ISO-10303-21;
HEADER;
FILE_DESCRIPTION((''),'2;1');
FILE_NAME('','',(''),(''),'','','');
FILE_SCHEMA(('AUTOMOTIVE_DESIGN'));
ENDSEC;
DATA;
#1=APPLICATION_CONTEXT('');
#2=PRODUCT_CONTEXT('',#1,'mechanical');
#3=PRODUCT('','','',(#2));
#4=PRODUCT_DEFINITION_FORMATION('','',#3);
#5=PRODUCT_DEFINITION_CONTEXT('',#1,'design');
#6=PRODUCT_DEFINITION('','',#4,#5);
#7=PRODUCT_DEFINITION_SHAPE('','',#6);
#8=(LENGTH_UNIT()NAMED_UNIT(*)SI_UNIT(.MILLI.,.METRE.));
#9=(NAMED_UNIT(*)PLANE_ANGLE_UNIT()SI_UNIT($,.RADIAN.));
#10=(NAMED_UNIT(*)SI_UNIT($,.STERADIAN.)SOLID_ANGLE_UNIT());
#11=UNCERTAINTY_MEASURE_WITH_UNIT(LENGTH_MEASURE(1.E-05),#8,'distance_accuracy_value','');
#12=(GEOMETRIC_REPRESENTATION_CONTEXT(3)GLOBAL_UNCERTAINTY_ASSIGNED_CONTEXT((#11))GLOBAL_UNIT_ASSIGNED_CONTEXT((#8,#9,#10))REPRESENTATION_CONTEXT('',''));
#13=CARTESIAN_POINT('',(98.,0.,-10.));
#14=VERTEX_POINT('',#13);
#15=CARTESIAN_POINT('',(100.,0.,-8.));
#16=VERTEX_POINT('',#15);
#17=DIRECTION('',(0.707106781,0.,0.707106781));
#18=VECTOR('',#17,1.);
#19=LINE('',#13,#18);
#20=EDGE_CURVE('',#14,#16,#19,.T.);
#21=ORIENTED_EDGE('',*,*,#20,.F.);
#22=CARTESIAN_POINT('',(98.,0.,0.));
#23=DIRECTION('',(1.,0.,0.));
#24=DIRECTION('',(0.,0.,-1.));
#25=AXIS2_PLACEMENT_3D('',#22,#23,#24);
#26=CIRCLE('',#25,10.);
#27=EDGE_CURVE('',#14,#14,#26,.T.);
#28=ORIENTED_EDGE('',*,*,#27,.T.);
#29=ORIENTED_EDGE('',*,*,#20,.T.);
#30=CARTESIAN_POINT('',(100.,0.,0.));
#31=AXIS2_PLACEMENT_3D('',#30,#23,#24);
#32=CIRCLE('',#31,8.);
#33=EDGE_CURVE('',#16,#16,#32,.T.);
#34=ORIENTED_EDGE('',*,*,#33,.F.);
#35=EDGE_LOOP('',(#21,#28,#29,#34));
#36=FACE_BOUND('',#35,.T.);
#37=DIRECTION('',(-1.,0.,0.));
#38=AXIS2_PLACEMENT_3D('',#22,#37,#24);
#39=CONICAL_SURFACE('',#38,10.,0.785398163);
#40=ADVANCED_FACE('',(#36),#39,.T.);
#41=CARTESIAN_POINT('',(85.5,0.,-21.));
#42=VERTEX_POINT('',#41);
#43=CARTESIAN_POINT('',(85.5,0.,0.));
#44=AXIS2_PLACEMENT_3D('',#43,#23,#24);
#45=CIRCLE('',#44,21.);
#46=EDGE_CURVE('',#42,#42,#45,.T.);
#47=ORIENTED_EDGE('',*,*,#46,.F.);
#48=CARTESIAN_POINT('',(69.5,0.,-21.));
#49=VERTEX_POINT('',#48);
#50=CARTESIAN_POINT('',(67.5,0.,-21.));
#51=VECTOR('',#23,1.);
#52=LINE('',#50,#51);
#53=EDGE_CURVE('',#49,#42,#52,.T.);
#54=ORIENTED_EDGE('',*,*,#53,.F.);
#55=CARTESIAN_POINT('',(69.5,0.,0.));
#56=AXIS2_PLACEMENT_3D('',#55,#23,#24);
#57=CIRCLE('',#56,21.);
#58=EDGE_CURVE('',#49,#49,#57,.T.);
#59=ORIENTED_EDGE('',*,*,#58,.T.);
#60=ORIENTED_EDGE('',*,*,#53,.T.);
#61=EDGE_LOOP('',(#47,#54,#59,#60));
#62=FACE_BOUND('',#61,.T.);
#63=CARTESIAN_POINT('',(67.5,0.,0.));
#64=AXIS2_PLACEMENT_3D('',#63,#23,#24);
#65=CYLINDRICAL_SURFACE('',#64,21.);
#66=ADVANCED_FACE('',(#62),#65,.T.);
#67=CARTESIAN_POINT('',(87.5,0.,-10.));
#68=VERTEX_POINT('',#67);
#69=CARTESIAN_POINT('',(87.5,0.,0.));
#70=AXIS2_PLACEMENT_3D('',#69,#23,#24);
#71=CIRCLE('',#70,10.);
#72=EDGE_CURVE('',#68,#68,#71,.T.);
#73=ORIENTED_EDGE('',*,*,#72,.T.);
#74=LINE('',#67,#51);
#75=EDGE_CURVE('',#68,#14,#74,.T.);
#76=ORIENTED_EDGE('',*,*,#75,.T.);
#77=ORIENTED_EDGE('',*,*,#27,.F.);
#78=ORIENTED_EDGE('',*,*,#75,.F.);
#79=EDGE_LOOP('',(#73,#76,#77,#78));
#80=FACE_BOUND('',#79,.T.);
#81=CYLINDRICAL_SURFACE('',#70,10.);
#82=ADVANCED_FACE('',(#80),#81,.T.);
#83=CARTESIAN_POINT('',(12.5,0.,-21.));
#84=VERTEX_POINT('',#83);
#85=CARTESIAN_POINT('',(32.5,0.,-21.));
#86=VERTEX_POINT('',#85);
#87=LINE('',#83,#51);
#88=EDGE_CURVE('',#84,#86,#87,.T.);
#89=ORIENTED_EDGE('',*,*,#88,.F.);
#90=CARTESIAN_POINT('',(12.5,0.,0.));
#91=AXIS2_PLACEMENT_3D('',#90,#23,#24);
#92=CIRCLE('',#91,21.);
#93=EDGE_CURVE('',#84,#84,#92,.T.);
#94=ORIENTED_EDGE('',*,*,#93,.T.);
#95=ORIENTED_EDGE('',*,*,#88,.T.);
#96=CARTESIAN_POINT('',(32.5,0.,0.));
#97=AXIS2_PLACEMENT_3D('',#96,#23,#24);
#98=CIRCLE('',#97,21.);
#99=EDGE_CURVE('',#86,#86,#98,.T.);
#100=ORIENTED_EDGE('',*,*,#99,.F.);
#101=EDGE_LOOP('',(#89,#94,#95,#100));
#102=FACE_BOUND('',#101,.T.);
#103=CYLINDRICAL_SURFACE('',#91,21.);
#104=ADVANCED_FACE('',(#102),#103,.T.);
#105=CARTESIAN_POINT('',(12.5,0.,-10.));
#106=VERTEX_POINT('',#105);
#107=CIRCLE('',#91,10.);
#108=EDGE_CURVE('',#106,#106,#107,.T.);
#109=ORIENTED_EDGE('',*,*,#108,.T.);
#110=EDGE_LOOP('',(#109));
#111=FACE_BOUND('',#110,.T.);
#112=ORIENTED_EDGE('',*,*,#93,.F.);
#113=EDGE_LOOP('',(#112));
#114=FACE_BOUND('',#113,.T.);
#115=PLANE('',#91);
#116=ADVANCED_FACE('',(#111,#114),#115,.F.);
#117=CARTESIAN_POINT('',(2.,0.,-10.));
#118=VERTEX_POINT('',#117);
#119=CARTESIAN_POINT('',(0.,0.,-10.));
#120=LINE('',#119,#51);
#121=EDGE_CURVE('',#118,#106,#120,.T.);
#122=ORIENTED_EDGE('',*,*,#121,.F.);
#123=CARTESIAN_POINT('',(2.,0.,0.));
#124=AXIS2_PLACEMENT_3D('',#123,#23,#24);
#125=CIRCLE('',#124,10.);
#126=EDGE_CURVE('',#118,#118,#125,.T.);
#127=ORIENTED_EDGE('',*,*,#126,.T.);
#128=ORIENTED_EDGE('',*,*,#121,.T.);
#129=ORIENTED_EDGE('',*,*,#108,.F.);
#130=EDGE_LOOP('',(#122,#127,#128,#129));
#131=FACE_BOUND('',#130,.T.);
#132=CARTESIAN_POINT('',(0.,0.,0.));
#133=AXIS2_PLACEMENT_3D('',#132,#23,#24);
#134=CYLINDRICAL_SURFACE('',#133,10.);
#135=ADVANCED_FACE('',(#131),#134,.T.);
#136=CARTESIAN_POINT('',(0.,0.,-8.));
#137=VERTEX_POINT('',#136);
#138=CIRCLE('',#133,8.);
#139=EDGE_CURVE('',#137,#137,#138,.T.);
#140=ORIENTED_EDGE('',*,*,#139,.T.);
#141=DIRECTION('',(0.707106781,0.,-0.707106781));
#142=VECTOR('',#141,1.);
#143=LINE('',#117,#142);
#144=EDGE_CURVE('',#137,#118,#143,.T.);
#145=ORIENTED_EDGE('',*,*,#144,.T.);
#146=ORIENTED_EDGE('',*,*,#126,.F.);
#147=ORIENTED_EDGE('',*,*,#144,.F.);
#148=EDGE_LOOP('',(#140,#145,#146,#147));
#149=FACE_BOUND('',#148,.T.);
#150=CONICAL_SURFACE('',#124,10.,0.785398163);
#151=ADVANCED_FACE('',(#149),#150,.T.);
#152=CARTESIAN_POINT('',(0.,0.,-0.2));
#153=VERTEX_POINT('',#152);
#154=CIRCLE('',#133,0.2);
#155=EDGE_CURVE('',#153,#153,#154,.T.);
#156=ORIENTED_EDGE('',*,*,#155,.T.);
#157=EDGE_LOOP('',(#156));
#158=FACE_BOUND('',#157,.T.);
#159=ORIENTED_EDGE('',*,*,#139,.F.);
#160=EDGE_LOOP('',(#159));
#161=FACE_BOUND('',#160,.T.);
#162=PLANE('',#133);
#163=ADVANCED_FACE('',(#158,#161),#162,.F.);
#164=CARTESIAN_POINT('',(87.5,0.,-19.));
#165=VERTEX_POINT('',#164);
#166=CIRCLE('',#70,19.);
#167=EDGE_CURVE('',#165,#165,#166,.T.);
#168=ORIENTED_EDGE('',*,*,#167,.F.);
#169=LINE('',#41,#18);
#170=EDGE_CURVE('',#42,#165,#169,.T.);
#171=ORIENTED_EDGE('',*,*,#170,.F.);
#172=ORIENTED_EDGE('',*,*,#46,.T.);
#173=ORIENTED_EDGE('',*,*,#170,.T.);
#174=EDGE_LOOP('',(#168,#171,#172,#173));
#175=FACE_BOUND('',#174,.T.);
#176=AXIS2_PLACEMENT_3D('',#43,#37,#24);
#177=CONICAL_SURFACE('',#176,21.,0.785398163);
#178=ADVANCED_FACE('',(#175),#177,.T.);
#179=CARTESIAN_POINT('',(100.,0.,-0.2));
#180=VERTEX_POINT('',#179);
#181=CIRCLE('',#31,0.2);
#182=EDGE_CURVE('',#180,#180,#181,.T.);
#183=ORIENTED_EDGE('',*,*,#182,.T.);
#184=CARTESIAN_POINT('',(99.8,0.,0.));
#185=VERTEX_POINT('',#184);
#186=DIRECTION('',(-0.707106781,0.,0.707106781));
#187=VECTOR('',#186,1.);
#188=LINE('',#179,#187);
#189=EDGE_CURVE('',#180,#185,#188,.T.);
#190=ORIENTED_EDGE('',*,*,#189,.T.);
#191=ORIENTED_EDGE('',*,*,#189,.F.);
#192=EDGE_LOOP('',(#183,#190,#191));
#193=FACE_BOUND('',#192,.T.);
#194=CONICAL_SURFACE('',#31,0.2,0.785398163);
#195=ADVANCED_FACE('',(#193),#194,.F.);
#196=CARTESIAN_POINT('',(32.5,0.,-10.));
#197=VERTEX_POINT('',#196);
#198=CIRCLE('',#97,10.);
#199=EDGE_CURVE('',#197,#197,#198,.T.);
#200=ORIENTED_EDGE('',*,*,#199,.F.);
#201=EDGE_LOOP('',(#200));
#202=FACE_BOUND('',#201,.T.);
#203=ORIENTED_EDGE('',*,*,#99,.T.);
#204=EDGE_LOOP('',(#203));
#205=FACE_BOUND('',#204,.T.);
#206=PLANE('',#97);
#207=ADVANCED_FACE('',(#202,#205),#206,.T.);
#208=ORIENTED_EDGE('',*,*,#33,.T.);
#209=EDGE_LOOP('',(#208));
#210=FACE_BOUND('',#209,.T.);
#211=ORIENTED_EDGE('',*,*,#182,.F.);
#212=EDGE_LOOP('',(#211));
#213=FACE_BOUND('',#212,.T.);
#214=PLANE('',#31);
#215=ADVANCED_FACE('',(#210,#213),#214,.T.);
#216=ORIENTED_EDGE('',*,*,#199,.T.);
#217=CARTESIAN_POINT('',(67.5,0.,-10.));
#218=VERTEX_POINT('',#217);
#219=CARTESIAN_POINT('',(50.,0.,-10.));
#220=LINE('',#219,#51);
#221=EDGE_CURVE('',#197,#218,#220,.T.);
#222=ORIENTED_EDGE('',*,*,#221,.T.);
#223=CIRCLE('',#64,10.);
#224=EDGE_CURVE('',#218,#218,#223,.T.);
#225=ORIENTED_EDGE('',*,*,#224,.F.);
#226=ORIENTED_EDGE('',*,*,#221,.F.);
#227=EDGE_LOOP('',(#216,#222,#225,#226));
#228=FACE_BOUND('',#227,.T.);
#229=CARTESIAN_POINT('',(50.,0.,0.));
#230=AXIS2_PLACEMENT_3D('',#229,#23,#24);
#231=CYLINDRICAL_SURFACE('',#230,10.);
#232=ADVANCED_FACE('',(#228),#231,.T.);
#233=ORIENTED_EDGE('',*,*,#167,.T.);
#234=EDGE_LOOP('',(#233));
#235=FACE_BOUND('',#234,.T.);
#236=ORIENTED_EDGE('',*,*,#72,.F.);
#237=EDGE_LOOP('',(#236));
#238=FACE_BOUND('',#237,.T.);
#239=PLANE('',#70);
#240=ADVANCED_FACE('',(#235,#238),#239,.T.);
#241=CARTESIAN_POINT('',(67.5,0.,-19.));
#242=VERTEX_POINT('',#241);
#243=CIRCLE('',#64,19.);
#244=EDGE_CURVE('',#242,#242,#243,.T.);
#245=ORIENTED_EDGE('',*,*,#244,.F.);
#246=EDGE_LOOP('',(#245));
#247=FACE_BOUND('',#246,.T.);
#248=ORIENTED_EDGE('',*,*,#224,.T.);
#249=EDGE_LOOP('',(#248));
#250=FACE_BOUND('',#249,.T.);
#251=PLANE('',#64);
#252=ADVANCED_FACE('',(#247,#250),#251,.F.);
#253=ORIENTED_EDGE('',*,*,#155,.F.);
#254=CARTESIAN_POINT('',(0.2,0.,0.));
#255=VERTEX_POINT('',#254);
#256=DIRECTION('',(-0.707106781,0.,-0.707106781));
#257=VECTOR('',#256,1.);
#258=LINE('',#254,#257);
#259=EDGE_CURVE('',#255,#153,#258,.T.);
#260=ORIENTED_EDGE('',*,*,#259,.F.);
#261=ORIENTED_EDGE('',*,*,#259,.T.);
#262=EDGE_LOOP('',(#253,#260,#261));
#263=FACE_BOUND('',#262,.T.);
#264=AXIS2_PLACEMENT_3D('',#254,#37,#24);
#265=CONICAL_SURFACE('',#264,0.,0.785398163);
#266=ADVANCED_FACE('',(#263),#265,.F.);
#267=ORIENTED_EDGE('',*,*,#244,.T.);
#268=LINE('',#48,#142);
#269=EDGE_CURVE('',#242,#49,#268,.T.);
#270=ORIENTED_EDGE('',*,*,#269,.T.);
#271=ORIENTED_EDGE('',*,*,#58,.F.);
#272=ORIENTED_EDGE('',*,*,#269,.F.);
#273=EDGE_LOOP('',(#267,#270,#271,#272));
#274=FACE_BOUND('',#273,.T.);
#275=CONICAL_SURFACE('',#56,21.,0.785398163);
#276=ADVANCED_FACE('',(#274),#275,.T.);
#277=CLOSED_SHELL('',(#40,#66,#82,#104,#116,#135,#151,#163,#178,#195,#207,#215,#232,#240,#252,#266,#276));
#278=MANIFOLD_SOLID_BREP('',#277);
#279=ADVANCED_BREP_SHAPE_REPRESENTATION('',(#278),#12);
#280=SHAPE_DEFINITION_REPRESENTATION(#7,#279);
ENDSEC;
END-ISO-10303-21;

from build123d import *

# Parameters (mm, degrees)
F0_W    = 35
F0_H    = 10
F2_SIZE = 2


with BuildPart() as f1:
    # F0 (on Front) → F1 (revolve)
    with BuildSketch(Plane.XZ):
        Polygon((32.5, 0), (12.5, 0), (12.5, -10), (12.5, -21), (32.5, -21), (32.5, -10), align=None)
        Polygon((99.8, 0), (87.5, 0), (87.5, -10), (100, -10), (100, -0.2), align=None)
        Polygon((87.5, 0), (67.5, 0), (67.5, -10), (67.5, -21), (87.5, -21), (87.5, -10), align=None)
        with Locations((50, -5)):
            Rectangle(F0_W, F0_H)
        Polygon((12.5, 0), (0.2, 0), (0, -0.2), (0, -10), (12.5, -10), align=None)
    revolve(axis=Axis((50, 0, 0), (1, 0, 0)))

    # F2
    f2_edges = [f1.edges().sort_by_distance(p)[0] for p in [
        (67.5, 0, 21),
        (87.5, 0, 21),
        (100, 0, 10),
        (0, 0, 10),
    ]]
    chamfer(f2_edges, length=F2_SIZE)


solid = f1.part
